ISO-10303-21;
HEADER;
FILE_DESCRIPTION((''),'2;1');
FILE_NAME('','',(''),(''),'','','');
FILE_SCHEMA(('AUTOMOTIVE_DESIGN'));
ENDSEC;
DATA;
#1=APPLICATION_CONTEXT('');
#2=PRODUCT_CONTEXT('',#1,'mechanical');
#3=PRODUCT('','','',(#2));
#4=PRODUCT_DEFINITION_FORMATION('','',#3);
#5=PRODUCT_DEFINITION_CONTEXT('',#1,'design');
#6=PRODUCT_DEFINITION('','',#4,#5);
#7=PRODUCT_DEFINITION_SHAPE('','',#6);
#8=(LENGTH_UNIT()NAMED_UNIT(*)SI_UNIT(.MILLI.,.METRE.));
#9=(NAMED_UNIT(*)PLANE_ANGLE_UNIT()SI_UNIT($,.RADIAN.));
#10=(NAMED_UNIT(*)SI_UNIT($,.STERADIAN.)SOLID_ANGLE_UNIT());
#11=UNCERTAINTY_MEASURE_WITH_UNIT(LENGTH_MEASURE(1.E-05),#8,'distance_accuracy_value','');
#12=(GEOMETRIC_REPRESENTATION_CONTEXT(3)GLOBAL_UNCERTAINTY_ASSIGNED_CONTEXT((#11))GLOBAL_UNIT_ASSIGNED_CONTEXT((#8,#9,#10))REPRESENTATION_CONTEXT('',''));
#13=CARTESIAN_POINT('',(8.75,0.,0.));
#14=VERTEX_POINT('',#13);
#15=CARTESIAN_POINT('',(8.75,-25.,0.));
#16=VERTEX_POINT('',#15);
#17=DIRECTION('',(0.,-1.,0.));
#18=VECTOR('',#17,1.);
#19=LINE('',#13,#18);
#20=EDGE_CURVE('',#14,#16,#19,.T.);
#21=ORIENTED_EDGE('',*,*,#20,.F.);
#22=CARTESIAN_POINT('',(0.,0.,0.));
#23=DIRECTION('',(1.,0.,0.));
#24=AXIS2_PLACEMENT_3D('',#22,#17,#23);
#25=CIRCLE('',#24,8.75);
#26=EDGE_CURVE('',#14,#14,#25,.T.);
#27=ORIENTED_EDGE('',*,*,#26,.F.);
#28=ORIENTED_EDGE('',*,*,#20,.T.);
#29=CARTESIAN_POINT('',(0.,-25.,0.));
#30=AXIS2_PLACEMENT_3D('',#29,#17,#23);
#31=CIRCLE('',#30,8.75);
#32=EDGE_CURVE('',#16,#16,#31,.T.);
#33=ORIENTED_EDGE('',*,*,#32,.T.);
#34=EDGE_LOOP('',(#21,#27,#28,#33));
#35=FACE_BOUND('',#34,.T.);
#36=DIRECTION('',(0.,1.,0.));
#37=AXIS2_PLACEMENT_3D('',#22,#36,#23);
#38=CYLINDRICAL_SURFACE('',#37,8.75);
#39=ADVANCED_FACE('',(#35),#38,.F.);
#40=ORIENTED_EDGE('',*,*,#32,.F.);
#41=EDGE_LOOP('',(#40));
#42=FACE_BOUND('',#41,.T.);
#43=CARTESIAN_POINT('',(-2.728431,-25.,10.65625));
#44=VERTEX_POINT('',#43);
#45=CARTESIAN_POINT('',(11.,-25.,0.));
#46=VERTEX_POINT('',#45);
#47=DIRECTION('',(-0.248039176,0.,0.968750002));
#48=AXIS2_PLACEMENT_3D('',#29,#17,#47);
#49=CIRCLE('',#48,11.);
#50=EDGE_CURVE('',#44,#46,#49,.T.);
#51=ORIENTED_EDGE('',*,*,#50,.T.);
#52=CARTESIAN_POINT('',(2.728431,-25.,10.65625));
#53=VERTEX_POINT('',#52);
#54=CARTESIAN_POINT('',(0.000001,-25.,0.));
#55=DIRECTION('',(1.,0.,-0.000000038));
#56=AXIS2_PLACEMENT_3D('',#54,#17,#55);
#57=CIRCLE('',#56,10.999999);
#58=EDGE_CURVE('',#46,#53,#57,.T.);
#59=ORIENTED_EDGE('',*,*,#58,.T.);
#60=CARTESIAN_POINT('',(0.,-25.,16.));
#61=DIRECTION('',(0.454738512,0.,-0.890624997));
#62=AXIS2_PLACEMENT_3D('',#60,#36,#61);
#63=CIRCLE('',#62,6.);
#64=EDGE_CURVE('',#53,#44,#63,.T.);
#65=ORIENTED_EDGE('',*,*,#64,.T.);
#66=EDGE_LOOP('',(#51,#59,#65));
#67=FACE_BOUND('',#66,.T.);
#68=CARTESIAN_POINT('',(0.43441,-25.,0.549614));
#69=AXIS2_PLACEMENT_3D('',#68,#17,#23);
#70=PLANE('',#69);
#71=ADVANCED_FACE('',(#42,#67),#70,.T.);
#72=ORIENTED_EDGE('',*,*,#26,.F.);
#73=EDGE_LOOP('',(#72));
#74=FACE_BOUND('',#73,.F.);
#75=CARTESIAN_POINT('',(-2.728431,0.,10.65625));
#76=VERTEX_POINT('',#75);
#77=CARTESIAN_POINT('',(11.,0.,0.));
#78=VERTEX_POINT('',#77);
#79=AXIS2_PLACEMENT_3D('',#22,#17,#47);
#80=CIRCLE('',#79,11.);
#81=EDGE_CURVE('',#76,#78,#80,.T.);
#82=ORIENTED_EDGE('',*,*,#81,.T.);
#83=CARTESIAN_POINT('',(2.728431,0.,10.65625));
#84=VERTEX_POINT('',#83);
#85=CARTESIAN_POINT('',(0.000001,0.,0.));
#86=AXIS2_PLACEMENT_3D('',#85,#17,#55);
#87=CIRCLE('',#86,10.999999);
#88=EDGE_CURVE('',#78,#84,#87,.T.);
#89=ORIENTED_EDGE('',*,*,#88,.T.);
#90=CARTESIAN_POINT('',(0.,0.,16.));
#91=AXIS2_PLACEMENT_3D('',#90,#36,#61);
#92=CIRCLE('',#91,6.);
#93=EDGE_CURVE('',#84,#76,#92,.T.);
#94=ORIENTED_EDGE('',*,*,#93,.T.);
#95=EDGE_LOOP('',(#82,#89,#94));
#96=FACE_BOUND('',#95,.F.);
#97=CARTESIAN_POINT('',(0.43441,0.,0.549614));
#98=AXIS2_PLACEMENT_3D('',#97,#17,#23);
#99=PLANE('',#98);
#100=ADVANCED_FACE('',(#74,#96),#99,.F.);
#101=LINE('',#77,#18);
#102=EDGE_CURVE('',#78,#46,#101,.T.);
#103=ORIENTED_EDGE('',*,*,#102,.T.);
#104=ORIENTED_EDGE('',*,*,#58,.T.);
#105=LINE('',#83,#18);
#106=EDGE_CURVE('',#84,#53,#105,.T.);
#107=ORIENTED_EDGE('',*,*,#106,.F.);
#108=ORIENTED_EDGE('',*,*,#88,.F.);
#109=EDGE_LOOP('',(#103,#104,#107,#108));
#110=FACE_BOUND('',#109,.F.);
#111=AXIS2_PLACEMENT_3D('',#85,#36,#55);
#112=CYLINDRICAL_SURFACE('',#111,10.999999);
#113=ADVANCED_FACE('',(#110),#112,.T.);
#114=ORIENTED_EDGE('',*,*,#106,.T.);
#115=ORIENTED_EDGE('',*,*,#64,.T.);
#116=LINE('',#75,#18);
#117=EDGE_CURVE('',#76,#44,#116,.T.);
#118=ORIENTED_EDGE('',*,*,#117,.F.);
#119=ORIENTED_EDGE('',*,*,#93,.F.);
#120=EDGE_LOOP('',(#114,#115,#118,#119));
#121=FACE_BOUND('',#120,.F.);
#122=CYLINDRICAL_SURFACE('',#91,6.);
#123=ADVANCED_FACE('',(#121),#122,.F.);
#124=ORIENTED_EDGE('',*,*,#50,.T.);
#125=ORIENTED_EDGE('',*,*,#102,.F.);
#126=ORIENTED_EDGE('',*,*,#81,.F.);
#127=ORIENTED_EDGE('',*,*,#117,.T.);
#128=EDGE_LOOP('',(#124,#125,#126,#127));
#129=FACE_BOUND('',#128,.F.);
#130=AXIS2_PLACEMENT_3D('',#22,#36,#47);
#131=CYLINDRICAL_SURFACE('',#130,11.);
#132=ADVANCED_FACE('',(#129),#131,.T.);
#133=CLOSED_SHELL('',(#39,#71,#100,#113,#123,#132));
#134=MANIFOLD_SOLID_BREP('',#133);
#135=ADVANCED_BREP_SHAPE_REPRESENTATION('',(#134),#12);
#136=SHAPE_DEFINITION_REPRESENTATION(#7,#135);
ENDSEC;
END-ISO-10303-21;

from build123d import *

# Parameters (mm, degrees)
F0_R     = 8.75
F1_DEPTH = 25


with BuildPart() as f1:
    # F0 (on Front) → F1 (new body)
    with BuildSketch(Plane.XZ):
        with BuildLine():
            ThreePointArc((-2.728431, 10.65625), (-6.744897, -8.68944), (11, 0))
            ThreePointArc((11, 0), (8.68944, 6.744897), (2.728431, 10.65625))
            ThreePointArc((2.728431, 10.65625), (0, 10), (-2.728431, 10.65625))
        make_face()
        Circle(F0_R, mode=Mode.SUBTRACT)
    extrude(amount=F1_DEPTH)


solid = f1.part
